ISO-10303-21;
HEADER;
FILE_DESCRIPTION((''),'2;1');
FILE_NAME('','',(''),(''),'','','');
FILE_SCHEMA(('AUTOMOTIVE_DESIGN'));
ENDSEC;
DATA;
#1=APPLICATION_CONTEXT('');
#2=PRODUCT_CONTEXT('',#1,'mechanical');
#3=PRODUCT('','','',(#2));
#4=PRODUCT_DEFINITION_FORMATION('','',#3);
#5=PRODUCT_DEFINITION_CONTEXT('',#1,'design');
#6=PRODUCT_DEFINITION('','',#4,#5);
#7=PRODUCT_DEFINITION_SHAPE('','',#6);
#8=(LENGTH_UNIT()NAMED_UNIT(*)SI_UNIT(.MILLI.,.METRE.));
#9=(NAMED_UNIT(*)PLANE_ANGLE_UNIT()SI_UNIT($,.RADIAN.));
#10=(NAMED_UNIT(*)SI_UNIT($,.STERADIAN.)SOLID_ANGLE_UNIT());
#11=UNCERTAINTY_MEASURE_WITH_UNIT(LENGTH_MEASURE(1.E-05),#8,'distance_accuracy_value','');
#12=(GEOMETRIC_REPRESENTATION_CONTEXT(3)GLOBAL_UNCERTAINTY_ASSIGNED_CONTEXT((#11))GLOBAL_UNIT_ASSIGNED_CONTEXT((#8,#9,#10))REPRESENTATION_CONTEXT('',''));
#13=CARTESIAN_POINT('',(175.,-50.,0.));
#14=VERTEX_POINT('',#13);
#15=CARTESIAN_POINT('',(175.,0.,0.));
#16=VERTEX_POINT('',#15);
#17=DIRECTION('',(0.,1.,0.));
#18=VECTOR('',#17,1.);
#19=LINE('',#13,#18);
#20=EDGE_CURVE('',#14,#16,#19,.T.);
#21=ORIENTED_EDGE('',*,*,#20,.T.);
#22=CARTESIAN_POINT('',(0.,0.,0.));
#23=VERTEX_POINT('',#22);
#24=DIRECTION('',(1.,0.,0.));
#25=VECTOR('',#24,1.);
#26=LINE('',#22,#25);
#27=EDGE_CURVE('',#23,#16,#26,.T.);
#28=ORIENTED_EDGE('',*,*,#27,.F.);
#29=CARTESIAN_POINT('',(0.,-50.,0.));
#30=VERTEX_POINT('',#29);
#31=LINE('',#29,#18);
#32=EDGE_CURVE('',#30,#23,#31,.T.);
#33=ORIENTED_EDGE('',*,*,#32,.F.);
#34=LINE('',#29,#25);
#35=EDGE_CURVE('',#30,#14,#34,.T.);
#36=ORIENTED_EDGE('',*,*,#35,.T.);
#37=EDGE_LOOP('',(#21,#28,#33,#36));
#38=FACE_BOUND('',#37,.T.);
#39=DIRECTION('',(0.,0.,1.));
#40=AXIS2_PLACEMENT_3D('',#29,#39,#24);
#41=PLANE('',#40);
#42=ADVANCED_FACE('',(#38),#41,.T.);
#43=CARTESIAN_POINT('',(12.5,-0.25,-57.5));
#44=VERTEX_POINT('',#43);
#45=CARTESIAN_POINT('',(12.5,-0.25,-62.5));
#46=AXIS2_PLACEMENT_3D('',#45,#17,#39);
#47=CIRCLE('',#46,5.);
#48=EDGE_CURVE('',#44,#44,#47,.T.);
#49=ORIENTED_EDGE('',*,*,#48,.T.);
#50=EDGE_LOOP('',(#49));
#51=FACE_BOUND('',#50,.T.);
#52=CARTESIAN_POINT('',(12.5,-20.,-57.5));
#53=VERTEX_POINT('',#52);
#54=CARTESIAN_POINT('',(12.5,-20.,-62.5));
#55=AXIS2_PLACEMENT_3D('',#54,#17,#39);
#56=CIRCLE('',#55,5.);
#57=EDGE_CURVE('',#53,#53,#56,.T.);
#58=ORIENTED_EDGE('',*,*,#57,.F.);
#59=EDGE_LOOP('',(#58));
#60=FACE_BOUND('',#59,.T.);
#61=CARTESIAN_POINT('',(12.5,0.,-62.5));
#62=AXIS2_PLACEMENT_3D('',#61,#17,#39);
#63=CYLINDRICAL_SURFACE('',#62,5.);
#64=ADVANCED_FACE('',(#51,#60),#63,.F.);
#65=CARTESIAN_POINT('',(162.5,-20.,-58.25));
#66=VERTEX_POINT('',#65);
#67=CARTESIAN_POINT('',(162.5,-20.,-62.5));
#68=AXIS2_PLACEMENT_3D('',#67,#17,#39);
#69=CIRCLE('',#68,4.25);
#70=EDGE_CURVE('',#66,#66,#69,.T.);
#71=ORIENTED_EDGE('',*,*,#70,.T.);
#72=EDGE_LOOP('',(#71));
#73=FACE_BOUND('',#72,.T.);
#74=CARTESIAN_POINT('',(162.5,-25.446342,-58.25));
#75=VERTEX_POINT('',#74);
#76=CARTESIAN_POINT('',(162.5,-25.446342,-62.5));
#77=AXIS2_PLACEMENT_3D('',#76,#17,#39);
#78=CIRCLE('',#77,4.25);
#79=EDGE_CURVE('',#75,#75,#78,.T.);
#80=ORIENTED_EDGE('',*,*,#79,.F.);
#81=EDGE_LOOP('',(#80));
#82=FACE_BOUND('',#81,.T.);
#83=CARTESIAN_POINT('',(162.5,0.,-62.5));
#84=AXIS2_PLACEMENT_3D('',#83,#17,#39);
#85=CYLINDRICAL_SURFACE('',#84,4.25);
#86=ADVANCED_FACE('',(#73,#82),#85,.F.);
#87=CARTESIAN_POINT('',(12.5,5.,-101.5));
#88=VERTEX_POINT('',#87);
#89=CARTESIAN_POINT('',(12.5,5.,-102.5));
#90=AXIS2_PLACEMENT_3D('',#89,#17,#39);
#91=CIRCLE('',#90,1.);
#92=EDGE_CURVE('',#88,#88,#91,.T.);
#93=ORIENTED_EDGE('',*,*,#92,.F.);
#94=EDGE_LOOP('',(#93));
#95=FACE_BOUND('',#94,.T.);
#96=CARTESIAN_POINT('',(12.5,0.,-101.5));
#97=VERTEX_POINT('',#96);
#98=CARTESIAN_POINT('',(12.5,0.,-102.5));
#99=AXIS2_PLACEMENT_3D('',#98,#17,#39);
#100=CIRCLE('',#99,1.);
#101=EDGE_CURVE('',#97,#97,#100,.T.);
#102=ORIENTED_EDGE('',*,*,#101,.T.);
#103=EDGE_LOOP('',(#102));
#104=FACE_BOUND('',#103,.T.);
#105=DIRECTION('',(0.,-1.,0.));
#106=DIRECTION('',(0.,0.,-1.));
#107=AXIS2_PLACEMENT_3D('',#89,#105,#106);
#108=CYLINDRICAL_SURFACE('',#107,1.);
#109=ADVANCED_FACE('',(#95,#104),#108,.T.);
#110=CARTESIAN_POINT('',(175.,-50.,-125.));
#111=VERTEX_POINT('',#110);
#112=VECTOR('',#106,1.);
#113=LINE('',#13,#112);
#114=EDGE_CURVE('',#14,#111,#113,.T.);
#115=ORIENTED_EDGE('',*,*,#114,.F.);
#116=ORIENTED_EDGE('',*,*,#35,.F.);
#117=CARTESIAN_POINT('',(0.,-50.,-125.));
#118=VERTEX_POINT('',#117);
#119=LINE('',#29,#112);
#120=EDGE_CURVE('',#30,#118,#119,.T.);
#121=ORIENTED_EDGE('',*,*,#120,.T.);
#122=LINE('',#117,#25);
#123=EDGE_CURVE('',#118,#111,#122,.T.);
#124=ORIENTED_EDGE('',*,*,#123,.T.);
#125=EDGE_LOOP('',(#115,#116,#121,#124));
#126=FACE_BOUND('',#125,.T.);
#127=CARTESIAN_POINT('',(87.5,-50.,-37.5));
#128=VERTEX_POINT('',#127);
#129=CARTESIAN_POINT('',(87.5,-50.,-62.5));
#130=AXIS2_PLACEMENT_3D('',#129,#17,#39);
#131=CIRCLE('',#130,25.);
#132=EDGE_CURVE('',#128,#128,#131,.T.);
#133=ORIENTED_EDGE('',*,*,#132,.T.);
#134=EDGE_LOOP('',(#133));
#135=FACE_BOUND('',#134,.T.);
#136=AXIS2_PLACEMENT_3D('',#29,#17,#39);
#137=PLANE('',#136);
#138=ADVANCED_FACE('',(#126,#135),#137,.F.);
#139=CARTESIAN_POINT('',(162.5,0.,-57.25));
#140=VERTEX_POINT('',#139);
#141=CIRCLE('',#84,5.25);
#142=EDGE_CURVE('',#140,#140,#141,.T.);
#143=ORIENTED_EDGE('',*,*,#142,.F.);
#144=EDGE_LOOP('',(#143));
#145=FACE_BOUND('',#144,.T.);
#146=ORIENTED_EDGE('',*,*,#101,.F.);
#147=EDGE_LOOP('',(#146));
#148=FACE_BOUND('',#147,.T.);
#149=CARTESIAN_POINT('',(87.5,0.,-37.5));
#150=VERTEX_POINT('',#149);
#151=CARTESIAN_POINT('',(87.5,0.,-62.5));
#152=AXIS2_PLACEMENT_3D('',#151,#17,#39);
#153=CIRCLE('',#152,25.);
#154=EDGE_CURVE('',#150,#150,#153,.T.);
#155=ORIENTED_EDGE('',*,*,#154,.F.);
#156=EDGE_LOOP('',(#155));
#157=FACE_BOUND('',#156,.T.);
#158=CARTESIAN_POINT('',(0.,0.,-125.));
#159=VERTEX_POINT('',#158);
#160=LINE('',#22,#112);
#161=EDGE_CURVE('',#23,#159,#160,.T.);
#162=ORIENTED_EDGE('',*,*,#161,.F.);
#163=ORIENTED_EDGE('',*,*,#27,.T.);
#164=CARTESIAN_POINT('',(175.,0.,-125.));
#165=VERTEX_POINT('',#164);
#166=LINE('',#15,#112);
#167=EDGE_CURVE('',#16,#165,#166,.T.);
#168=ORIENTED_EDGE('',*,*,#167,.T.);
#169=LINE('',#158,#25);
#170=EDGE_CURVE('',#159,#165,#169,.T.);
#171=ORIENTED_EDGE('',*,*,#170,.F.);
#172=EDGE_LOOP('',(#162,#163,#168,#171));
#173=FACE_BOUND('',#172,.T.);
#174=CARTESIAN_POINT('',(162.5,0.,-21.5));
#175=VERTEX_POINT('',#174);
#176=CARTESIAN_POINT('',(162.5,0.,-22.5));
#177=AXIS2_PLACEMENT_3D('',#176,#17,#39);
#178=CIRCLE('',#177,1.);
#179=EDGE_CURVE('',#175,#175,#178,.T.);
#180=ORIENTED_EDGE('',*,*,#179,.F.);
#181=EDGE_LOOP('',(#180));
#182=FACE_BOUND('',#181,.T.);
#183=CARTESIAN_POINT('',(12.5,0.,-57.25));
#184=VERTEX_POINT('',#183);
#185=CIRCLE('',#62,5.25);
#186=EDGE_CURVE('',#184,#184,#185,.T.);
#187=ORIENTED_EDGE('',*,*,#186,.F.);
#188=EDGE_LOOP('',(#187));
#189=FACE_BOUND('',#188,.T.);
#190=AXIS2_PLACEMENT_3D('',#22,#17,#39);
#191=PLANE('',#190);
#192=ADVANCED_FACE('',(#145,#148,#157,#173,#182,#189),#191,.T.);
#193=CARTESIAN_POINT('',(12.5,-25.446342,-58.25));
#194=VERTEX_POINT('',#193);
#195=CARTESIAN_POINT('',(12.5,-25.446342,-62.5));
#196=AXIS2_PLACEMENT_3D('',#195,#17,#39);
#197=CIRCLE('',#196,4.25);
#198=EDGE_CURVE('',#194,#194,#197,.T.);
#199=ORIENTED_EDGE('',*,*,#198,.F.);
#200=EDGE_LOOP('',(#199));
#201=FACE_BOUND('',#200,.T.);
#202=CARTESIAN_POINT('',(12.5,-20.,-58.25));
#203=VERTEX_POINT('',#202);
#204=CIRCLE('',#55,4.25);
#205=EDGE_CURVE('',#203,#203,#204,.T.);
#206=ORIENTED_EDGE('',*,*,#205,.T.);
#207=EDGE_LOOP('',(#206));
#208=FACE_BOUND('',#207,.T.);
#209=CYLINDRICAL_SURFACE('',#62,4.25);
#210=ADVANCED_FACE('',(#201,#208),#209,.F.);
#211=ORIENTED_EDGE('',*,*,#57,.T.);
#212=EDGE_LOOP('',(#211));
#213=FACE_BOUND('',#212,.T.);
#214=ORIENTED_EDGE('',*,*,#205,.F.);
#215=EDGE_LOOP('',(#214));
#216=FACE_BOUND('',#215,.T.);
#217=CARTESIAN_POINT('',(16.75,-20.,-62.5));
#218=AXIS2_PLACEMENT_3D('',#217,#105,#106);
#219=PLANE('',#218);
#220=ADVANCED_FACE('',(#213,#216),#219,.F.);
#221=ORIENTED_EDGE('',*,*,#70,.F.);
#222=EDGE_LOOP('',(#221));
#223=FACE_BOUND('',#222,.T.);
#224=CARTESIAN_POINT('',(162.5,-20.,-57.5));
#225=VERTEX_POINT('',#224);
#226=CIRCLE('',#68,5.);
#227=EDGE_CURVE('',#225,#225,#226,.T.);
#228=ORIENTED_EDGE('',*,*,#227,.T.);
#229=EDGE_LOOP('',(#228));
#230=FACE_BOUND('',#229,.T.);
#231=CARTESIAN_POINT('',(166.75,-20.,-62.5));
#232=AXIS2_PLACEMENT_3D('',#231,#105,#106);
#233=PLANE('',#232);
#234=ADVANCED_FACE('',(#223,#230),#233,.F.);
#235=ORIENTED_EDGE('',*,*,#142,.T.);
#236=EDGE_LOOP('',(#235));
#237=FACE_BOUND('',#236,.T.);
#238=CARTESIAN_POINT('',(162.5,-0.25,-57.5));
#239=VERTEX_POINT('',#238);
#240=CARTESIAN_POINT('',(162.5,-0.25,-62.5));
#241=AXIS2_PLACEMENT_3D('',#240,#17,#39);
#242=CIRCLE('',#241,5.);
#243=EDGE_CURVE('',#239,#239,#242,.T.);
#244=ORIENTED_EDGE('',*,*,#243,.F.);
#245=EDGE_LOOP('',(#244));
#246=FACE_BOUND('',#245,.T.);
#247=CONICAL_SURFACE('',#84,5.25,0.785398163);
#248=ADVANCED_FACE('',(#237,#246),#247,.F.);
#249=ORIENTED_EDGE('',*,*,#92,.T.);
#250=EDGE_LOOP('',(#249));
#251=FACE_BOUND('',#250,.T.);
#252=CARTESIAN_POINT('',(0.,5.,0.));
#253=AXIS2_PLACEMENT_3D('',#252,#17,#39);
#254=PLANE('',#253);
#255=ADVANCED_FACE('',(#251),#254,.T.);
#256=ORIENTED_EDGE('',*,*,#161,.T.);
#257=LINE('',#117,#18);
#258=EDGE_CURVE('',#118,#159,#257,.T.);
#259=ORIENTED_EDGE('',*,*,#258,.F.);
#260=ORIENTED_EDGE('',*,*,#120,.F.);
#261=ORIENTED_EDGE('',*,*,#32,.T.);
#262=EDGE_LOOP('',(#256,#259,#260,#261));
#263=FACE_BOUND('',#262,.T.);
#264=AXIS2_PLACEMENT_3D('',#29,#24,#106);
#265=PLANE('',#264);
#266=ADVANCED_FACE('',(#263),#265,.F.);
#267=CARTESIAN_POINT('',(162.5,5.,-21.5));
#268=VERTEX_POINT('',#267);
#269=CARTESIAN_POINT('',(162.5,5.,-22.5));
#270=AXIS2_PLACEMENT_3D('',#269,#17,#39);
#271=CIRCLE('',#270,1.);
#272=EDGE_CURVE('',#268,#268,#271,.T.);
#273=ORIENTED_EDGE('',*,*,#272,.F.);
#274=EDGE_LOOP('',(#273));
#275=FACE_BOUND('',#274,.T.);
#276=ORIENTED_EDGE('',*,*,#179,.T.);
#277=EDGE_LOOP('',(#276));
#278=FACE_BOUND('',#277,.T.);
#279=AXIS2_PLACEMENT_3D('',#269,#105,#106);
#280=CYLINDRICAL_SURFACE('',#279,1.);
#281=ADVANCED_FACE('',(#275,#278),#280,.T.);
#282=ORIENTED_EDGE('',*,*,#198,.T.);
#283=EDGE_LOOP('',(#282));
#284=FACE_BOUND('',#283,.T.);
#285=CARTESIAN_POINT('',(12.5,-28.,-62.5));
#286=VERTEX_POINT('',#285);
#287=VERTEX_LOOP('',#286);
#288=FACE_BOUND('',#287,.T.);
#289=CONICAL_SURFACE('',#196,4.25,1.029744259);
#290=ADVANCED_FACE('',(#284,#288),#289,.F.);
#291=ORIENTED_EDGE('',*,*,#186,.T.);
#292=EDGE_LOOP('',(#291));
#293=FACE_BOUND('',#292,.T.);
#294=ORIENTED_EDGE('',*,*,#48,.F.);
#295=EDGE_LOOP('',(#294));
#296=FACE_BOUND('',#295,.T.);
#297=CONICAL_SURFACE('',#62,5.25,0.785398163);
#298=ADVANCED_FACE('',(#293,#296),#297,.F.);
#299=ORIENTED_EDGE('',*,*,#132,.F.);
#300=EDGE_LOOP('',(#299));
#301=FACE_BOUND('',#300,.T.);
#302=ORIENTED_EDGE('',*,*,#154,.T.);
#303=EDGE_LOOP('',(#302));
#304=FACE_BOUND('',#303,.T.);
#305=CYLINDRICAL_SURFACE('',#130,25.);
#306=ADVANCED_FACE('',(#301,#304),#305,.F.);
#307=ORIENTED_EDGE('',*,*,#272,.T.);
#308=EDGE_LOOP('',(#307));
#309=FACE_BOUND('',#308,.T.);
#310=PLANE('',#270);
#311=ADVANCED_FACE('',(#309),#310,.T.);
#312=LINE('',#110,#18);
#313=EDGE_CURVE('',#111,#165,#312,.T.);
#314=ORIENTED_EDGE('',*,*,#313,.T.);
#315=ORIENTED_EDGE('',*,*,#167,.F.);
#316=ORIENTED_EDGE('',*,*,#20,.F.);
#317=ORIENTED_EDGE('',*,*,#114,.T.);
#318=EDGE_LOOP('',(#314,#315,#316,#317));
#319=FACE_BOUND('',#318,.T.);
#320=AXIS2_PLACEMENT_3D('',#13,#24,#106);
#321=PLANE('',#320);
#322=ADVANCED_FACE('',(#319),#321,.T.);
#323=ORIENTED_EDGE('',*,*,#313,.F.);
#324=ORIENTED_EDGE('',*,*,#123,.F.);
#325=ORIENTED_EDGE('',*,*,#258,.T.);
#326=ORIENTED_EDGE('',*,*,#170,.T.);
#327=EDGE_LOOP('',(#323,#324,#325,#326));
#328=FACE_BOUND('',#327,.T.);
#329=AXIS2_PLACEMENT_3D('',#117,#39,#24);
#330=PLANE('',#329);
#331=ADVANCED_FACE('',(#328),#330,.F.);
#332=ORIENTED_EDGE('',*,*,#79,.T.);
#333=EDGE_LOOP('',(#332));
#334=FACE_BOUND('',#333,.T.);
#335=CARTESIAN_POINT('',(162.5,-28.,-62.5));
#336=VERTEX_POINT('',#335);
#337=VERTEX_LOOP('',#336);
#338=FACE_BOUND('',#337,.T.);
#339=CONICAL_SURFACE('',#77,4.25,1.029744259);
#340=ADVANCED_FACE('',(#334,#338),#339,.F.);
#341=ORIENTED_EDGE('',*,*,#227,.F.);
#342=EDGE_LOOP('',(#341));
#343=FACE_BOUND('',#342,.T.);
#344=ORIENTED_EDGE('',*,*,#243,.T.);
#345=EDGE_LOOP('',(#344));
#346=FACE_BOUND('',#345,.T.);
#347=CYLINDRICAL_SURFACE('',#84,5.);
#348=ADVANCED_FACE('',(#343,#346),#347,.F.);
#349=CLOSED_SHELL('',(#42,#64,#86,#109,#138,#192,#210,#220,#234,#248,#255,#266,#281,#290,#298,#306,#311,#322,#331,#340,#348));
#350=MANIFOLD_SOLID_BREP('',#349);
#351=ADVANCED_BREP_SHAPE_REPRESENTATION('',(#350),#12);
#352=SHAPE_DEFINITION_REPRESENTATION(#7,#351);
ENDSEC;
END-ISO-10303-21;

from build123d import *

# Parameters (mm, degrees)
SKETCH1_W                                      = 175
SKETCH1_H                                      = 125
SKETCH1_R                                      = 25
BOSS_EXTRUDE1_DEPTH                            = 50
SKETCH1_4_R                                    = 1
BOSS_EXTRUDE2_DEPTH                            = 5
CBORE_FOR_M12_HEX_HEAD_MACHINE_SCREW1_AT_COUNT = 2
CBORE_FOR_M12_HEX_HEAD_MACHINE_SCREW1_AT_PITCH = 150


with BuildPart() as part:
    # Sketch1 → Boss-Extrude1 (new body)
    with BuildSketch(Plane(origin=(0, 0, 0), x_dir=(1, 0, 0), z_dir=(0, 1, 0))):
        with Locations((87.5, 62.5)):
            Rectangle(SKETCH1_W, SKETCH1_H)
        with Locations((87.5, 62.5)):
            Circle(SKETCH1_R, mode=Mode.SUBTRACT)
    extrude(amount=-BOSS_EXTRUDE1_DEPTH)

    # Sketch1<4> → Boss-Extrude2 (add)
    with BuildSketch(Plane(origin=(0, 0, 0), x_dir=(1, 0, 0), z_dir=(0, 1, 0))):
        with Locations((162.5, 22.5)):
            Circle(SKETCH1_4_R)
        with Locations((12.5, 102.5)):
            Circle(SKETCH1_4_R)
    extrude(amount=BOSS_EXTRUDE2_DEPTH)

    # Sketch5 → CBORE for M12 Hex Head Machine Screw1 (revolve, cut)
    with BuildSketch(Plane(origin=(12.5, 0, -62.5), x_dir=(0, 0, 1), z_dir=(1, 0, 0))):
        Polygon((0, 0), (0, 28), (4.25, 25.446342369), (4.25, 20), (5, 20), (5, 0.25), (5.25, 0), align=None)
    cbore_for_m12_hex_head_machine_screw1 = revolve(axis=Axis((12.5, 6.35, -62.5), (0, -1, 0)), mode=Mode.SUBTRACT)

    # CBORE for M12 Hex Head Machine Screw1 at: CBORE for M12 Hex Head Machine Screw1 ×2
    with Locations(*[(i * CBORE_FOR_M12_HEX_HEAD_MACHINE_SCREW1_AT_PITCH, 0, 0) for i in range(1, CBORE_FOR_M12_HEX_HEAD_MACHINE_SCREW1_AT_COUNT)]):
        add(cbore_for_m12_hex_head_machine_screw1, mode=Mode.SUBTRACT)


solid = part.part
